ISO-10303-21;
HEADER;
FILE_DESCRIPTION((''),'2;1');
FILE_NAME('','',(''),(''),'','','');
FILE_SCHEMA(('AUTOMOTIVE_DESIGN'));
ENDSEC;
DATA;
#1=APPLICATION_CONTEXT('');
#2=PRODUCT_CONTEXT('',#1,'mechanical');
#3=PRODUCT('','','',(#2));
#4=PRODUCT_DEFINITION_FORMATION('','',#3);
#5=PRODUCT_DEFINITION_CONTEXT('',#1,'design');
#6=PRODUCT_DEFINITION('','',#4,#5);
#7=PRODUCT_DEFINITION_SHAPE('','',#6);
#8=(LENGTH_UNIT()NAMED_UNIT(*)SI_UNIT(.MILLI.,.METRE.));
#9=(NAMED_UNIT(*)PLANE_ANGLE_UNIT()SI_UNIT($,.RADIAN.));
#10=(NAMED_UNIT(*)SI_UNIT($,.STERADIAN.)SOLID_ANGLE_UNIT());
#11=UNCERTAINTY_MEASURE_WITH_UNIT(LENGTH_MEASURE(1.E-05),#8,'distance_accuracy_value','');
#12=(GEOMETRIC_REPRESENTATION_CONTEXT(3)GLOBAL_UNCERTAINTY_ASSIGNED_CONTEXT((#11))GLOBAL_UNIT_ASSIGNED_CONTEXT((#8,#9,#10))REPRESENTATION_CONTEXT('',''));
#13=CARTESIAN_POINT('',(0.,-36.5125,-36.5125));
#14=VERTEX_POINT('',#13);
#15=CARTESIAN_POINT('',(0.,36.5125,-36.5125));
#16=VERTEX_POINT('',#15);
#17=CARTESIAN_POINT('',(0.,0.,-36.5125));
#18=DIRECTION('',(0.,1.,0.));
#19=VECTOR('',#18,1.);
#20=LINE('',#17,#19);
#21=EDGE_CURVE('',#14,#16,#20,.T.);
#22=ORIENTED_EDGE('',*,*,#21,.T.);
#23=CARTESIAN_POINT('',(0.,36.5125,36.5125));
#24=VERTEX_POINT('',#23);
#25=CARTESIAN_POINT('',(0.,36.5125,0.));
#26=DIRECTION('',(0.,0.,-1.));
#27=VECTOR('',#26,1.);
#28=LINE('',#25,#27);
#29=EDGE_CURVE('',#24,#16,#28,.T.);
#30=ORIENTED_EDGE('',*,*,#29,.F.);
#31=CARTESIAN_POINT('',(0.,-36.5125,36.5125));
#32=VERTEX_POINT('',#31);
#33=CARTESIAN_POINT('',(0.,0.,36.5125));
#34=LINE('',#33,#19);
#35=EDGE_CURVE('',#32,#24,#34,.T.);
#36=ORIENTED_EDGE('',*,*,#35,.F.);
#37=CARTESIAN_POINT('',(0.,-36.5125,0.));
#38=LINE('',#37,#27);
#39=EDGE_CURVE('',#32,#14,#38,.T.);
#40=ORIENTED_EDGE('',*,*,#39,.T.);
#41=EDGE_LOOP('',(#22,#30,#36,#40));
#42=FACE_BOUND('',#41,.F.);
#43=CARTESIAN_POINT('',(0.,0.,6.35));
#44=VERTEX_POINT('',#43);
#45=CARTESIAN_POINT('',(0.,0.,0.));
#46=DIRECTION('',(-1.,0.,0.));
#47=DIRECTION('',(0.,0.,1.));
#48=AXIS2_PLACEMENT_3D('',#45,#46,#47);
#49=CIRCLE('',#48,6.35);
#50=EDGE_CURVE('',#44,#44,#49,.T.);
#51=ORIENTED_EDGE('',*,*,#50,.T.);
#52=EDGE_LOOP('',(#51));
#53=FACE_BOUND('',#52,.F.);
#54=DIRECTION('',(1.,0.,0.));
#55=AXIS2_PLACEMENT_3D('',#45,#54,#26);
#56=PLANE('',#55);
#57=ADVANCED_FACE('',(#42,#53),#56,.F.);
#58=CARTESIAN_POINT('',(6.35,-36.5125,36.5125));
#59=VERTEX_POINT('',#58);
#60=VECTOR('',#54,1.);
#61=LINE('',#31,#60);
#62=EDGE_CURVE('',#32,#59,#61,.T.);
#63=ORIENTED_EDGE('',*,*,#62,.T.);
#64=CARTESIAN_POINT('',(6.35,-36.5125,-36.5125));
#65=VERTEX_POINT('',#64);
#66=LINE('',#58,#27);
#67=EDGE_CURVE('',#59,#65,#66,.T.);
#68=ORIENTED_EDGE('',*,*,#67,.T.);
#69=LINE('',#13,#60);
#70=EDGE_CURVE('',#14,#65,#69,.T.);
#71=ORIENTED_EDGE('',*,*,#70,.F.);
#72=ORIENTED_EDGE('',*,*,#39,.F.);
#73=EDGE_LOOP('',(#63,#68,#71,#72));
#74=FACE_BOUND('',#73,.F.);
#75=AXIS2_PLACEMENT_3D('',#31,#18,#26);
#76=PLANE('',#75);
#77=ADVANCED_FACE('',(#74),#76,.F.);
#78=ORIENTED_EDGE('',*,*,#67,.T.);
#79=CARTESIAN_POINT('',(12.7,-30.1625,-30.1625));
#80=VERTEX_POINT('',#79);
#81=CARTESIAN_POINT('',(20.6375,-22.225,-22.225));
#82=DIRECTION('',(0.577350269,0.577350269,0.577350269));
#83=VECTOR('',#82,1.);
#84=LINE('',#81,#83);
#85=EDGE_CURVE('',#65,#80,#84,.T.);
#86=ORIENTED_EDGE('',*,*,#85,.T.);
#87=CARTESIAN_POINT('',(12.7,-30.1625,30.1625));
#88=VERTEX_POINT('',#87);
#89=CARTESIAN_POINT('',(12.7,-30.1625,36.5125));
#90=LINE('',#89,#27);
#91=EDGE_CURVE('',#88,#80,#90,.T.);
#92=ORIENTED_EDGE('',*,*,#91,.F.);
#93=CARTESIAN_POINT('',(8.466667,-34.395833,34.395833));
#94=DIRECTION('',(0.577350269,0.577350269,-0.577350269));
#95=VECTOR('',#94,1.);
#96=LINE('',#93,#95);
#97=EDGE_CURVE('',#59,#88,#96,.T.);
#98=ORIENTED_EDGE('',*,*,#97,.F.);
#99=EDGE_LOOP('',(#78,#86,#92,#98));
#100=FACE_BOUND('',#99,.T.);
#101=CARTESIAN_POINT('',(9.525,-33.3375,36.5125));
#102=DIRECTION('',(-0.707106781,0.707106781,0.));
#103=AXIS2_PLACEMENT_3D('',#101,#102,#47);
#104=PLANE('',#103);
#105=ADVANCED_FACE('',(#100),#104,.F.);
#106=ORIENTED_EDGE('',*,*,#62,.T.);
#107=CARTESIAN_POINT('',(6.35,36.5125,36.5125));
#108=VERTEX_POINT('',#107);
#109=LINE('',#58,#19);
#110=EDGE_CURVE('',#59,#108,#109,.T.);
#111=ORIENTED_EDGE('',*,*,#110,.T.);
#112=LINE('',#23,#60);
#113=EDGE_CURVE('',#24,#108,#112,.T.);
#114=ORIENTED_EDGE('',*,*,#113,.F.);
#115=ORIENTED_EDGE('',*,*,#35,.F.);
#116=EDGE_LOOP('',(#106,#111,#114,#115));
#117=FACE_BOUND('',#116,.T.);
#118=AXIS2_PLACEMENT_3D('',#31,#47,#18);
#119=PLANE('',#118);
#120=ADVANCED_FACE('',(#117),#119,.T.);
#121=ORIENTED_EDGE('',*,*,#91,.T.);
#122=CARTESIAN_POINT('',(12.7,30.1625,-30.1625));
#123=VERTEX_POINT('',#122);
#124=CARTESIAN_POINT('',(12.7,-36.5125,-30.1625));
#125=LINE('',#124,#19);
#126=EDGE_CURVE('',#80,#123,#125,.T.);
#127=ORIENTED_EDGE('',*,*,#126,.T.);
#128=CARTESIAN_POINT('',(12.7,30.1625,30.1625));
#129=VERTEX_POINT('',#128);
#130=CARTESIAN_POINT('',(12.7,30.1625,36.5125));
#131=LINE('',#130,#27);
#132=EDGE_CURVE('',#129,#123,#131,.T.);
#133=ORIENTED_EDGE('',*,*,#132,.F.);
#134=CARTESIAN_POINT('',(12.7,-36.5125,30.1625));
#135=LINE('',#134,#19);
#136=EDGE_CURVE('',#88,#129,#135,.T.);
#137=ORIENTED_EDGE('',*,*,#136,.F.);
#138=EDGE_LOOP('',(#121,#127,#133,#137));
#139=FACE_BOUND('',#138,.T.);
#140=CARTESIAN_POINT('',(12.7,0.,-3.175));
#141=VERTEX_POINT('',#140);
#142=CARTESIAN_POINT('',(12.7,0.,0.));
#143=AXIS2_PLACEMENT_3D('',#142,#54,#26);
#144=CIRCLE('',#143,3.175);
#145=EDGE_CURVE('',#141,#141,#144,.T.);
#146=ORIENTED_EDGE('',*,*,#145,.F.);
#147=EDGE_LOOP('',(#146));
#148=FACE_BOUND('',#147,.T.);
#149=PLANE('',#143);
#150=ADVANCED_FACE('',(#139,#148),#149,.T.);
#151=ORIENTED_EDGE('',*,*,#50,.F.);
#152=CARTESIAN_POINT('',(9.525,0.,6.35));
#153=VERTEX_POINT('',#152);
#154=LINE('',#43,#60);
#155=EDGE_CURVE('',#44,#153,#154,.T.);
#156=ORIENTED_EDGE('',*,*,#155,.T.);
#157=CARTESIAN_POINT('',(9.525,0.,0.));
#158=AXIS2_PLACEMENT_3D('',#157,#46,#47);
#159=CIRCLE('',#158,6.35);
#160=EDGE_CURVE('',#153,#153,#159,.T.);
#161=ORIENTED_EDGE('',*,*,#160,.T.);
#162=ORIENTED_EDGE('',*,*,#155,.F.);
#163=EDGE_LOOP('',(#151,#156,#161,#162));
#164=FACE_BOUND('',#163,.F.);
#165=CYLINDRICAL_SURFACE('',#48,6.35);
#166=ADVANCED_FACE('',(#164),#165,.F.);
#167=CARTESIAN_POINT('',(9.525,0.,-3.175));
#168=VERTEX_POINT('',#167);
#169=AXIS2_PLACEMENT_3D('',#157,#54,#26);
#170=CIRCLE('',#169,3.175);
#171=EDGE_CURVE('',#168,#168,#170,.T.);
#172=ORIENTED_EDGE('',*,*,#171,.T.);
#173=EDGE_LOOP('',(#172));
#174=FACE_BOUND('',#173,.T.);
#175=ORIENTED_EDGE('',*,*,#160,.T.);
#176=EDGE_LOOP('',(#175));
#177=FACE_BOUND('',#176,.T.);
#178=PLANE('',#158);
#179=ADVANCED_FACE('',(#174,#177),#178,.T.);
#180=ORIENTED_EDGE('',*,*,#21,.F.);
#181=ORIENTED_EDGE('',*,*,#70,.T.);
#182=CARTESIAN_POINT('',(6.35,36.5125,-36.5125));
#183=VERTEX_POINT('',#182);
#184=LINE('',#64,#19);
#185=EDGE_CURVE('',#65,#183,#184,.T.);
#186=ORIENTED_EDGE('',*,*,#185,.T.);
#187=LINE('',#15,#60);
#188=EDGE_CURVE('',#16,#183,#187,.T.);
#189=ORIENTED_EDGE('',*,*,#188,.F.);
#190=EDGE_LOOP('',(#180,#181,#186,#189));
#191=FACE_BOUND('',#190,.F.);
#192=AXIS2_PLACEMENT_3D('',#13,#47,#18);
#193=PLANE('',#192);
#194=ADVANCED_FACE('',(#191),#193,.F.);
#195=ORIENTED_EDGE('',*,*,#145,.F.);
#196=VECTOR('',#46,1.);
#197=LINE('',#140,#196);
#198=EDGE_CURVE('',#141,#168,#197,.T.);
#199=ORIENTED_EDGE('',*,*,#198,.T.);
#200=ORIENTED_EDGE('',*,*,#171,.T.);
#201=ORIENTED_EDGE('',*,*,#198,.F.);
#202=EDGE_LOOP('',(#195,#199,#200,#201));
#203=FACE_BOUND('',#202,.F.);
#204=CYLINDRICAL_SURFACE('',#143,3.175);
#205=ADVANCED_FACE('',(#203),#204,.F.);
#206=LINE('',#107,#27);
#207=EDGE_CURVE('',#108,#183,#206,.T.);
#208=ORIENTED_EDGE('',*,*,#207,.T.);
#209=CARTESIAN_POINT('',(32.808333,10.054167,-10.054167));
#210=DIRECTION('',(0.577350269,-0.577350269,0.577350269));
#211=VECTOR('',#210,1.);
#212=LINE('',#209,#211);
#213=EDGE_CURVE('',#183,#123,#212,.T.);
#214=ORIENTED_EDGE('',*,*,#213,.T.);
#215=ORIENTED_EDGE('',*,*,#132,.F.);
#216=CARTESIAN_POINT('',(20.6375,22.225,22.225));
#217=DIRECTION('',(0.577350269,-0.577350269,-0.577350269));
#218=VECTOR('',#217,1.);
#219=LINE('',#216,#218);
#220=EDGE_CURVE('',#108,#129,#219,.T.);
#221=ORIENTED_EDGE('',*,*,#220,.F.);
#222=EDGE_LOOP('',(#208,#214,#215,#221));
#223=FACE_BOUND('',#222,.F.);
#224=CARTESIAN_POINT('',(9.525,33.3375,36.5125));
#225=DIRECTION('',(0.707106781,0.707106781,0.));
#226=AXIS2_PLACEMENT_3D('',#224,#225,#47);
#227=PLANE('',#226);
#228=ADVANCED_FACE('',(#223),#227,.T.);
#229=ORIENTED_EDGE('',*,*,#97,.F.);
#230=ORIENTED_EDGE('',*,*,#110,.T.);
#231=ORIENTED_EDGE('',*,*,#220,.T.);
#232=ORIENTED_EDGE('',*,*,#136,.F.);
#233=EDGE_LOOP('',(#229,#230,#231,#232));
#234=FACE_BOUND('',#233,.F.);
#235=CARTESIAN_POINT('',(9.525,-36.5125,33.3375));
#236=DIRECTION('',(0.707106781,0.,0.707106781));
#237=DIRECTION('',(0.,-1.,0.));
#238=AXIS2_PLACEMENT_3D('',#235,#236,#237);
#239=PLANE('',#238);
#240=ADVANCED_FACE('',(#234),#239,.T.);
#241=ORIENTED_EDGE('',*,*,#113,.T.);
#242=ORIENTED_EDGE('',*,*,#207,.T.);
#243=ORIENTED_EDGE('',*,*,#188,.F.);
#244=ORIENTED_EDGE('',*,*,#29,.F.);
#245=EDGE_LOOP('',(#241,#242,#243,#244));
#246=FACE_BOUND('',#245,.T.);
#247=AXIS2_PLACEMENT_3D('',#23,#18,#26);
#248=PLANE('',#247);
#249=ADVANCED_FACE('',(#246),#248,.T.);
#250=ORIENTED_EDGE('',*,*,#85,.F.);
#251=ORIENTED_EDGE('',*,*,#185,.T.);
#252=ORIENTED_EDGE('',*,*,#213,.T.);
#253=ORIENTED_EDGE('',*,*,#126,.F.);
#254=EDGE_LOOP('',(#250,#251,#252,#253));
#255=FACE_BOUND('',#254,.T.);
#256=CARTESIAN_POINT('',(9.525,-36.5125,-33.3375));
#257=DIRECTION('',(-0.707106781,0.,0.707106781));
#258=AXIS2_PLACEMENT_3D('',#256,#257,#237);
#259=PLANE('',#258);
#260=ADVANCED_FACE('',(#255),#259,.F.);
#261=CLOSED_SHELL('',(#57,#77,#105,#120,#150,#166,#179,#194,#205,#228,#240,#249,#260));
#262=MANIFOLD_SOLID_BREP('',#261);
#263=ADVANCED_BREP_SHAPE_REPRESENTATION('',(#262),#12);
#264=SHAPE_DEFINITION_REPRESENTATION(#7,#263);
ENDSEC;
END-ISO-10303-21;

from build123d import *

# Parameters (mm, degrees)
SKETCH2_W           = 73.025
SKETCH2_H           = 73.025
BOSS_EXTRUDE1_DEPTH = 12.7
CHAMFER1_SIZE       = 6.35
SKETCH5_R           = 3.175
CUT_EXTRUDE1_DEPTH  = 3.175
SKETCH6_R           = 6.35
CUT_EXTRUDE2_DEPTH  = 9.525


with BuildPart() as part:
    # Sketch2 → Boss-Extrude1 (new body)
    with BuildSketch(Plane(origin=(0, 0, 0), x_dir=(0, 0, -1), z_dir=(1, 0, 0))):
        Rectangle(SKETCH2_W, SKETCH2_H)
    extrude(amount=BOSS_EXTRUDE1_DEPTH)

    # Chamfer1
    chamfer1_edges = [part.edges().sort_by_distance(p)[0] for p in [
        (12.7, 0, 36.5125),
        (12.7, -36.5125, 0),
        (12.7, 0, -36.5125),
        (12.7, 36.5125, 0),
    ]]
    chamfer(chamfer1_edges, length=CHAMFER1_SIZE)

    # Sketch5 → Cut-Extrude1 (cut)
    with BuildSketch(Plane(origin=(12.7, 0, 0), x_dir=(0, 0, -1), z_dir=(1, 0, 0))):
        Circle(SKETCH5_R)
    extrude(amount=-CUT_EXTRUDE1_DEPTH, mode=Mode.SUBTRACT)

    # Sketch6 → Cut-Extrude2 (cut)
    with BuildSketch(Plane.ZY):
        Circle(SKETCH6_R)
    extrude(amount=-CUT_EXTRUDE2_DEPTH, mode=Mode.SUBTRACT)


solid = part.part
